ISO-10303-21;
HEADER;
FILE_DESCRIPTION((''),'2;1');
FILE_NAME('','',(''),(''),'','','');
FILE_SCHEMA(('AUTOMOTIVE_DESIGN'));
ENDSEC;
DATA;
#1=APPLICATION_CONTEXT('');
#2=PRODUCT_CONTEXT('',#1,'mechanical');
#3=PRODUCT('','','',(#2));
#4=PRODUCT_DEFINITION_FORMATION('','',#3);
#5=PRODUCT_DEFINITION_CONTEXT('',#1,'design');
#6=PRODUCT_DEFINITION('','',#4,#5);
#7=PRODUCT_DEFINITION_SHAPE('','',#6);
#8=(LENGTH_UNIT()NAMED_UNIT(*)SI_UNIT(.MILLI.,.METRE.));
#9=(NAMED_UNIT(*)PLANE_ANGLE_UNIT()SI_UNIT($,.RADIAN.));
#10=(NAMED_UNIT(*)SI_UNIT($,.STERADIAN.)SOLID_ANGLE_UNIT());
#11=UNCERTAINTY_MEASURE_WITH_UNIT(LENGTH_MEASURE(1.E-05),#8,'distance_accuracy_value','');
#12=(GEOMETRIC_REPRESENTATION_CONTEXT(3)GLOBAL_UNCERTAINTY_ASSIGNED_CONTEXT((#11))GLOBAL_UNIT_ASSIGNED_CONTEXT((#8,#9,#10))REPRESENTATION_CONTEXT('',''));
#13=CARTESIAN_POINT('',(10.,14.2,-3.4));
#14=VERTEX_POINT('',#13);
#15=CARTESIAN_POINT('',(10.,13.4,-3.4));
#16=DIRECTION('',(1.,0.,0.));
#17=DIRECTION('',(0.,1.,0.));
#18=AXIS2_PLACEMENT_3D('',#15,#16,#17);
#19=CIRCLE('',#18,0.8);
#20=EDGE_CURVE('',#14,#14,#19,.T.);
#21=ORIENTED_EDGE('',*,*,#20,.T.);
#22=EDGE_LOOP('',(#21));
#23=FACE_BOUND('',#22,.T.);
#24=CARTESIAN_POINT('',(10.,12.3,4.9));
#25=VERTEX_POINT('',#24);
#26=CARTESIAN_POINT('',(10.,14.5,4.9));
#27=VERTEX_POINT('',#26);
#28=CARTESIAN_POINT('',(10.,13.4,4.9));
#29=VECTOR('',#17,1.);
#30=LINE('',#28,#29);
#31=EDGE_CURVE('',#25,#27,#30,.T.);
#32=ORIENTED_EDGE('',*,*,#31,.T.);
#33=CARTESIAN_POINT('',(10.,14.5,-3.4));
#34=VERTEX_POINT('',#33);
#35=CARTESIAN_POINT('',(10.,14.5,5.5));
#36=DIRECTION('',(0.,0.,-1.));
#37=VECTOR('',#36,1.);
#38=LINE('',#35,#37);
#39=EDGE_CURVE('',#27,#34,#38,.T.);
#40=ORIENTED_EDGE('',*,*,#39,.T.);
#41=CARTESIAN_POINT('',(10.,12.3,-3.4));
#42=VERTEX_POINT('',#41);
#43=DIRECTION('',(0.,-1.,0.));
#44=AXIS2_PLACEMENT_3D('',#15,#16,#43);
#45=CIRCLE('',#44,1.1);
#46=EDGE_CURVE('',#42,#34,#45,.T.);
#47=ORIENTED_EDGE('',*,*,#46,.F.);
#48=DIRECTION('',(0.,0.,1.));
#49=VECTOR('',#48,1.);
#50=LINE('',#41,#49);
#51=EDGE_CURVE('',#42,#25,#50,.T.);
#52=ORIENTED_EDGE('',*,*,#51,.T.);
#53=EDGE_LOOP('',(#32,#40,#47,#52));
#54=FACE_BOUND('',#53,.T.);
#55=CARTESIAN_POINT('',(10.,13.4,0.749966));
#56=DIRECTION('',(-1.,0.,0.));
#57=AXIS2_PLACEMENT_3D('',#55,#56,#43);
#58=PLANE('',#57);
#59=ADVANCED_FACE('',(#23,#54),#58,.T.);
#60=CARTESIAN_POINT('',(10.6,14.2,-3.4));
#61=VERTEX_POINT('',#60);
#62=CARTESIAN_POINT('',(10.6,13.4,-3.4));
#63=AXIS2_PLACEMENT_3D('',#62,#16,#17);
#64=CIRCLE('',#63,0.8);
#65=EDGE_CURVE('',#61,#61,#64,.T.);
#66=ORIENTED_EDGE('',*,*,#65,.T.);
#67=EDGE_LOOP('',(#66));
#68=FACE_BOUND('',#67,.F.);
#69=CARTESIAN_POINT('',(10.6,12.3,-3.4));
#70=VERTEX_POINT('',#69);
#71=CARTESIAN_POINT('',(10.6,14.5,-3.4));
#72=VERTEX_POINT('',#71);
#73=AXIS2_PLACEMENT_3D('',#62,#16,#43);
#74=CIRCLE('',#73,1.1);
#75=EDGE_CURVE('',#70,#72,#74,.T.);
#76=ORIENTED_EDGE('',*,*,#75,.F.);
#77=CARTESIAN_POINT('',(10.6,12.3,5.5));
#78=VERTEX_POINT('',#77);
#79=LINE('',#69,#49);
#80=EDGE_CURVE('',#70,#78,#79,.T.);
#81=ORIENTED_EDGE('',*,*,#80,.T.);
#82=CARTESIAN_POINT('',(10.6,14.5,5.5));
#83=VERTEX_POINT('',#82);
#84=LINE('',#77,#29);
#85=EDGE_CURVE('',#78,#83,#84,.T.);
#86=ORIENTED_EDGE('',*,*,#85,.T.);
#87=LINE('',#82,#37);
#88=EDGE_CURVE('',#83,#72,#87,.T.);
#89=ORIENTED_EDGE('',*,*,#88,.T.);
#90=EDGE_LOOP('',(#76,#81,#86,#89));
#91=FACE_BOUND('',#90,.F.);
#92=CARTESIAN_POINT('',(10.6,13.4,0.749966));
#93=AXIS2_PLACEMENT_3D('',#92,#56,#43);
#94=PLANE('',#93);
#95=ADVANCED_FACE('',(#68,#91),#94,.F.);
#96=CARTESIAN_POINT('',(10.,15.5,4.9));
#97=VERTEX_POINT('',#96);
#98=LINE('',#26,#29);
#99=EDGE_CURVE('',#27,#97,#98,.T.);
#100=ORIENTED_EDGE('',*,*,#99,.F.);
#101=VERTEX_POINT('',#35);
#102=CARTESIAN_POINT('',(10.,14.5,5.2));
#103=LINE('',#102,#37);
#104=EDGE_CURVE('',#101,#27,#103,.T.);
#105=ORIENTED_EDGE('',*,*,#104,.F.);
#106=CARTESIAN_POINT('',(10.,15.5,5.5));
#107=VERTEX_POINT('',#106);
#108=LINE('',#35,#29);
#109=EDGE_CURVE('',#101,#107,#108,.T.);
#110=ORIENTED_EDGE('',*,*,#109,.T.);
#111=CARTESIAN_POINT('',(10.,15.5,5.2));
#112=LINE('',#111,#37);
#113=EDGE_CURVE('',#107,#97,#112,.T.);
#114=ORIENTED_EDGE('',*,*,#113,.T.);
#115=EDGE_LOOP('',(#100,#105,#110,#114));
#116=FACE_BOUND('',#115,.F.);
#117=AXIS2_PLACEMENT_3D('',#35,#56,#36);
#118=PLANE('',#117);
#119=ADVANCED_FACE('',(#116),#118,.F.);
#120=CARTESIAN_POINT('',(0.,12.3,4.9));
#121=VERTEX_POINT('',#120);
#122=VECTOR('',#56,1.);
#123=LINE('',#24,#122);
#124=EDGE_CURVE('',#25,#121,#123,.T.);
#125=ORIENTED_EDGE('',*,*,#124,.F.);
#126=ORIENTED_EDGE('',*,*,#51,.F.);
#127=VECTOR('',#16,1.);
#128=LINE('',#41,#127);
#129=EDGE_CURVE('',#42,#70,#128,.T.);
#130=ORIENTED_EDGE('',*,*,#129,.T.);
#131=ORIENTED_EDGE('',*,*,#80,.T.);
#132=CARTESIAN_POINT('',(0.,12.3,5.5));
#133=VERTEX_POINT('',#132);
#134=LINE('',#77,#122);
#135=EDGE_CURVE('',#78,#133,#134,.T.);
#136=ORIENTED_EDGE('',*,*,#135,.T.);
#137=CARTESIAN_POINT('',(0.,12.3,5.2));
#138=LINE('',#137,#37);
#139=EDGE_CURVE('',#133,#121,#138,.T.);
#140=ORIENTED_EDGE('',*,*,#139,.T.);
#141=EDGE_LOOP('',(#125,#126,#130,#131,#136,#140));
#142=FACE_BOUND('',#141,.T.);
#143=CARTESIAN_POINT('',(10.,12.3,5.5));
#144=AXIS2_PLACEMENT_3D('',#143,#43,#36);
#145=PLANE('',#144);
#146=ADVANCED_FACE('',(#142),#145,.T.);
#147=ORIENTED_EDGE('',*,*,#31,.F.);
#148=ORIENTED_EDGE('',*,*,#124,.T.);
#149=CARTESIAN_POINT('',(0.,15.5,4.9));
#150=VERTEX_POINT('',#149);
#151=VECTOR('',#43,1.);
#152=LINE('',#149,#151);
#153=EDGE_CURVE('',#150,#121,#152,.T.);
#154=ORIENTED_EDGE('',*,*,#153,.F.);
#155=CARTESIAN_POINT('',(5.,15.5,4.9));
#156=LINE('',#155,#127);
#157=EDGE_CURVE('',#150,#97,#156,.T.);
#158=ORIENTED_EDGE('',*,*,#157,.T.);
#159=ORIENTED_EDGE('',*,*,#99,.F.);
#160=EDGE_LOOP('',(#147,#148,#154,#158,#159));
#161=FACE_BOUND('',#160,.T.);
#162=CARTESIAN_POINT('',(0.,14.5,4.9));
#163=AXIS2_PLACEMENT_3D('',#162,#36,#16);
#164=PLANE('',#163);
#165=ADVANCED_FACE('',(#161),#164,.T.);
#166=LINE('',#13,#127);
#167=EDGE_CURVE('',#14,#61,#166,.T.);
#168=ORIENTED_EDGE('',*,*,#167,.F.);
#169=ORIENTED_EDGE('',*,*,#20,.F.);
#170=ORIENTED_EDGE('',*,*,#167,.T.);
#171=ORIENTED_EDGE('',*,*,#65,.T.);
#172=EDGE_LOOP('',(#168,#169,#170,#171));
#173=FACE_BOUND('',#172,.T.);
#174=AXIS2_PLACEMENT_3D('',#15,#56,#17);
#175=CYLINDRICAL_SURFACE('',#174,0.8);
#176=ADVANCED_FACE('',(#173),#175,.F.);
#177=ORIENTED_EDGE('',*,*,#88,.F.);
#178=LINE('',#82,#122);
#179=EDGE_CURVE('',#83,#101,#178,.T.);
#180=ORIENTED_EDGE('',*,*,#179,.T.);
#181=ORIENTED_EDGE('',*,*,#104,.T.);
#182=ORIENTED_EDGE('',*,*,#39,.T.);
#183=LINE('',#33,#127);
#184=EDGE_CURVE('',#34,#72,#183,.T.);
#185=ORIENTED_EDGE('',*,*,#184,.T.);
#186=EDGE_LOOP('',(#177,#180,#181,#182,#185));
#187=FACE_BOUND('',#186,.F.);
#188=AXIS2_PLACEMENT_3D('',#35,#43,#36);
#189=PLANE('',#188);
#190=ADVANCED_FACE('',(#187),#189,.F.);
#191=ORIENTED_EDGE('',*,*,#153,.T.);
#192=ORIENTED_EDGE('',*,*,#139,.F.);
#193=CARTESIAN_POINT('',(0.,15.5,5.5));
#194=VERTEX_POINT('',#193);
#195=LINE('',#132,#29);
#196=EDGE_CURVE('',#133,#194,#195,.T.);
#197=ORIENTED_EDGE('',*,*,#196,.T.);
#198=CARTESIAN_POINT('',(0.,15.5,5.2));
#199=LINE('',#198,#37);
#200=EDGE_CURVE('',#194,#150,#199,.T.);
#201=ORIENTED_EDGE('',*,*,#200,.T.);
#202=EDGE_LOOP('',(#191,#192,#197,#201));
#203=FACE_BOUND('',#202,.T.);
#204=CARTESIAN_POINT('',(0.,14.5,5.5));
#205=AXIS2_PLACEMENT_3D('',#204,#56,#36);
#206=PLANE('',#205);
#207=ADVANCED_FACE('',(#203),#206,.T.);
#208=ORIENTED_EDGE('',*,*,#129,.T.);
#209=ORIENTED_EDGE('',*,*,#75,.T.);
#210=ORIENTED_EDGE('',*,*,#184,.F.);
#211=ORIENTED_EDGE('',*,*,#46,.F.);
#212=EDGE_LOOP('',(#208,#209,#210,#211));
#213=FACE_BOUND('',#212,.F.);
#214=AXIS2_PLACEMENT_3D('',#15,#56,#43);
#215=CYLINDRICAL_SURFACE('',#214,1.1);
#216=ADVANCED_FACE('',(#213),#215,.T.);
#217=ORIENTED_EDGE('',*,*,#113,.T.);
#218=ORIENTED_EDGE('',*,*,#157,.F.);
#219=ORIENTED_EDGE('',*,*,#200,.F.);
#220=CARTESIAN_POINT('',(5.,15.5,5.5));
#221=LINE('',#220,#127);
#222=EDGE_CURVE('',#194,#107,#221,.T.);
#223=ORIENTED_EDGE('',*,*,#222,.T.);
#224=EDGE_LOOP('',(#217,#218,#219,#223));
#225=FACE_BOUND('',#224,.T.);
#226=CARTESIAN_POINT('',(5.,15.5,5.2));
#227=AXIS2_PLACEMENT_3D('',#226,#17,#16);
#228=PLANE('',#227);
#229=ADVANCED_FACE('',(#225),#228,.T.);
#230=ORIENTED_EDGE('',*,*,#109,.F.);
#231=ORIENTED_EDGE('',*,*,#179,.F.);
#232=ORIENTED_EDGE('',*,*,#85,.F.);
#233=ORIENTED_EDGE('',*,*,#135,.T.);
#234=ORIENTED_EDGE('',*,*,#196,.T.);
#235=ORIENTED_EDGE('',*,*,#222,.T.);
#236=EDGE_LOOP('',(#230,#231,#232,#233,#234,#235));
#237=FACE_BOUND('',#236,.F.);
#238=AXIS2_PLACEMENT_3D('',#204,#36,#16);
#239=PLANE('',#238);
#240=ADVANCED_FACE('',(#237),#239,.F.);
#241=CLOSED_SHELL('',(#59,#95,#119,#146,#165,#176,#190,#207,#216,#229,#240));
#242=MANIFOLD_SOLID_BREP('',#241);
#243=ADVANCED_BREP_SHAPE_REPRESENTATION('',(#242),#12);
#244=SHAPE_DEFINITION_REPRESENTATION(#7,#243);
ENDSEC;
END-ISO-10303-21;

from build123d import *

# Parameters (mm, degrees)
SKETCH069_R     = 0.8
PAD044_DEPTH    = 0.6
SKETCH079_W     = 2.2
SKETCH079_H     = 0.6
PAD040_DEPTH    = 10
PAD040_FACE12_W = 10
PAD040_FACE12_H = 0.6
PAD045_DEPTH    = 1


with BuildPart() as part:
    # Sketch069 → Pad044 (new body)
    with BuildSketch(Plane.YZ):
        with BuildLine():
            Line((0, -8.9), (0, 0))
            Line((0, 0), (2.2, 0))
            Line((2.2, 0), (2.2, -8.9))
            ThreePointArc((0, -8.9), (1.1, -10), (2.2, -8.9))
        make_face()
        with Locations((1.1, -8.9)):
            Circle(SKETCH069_R, mode=Mode.SUBTRACT)
    extrude(amount=PAD044_DEPTH)

    # Sketch079 (on Face6 of Pad044) → Pad040 (join)
    with BuildSketch(Plane(origin=(0, 0, 0), x_dir=(0, 1, 0), z_dir=(-1, 0, 0))):
        with Locations((1.1, 0.3)):
            Rectangle(SKETCH079_W, SKETCH079_H)
    extrude(amount=PAD040_DEPTH)

    # Pad040 Face12 → Pad045 (add)
    with BuildSketch(Plane(origin=(-5, 2.2, -0.3), x_dir=(1, 0, 0), z_dir=(0, 1, 0))):
        Rectangle(PAD040_FACE12_W, PAD040_FACE12_H)
    extrude(amount=PAD045_DEPTH)


with BuildPart() as part_1:
    # Body011 placement: moved
    add(part.part.moved(Location((10, 12.3, 5.5))))


solid = part_1.part
